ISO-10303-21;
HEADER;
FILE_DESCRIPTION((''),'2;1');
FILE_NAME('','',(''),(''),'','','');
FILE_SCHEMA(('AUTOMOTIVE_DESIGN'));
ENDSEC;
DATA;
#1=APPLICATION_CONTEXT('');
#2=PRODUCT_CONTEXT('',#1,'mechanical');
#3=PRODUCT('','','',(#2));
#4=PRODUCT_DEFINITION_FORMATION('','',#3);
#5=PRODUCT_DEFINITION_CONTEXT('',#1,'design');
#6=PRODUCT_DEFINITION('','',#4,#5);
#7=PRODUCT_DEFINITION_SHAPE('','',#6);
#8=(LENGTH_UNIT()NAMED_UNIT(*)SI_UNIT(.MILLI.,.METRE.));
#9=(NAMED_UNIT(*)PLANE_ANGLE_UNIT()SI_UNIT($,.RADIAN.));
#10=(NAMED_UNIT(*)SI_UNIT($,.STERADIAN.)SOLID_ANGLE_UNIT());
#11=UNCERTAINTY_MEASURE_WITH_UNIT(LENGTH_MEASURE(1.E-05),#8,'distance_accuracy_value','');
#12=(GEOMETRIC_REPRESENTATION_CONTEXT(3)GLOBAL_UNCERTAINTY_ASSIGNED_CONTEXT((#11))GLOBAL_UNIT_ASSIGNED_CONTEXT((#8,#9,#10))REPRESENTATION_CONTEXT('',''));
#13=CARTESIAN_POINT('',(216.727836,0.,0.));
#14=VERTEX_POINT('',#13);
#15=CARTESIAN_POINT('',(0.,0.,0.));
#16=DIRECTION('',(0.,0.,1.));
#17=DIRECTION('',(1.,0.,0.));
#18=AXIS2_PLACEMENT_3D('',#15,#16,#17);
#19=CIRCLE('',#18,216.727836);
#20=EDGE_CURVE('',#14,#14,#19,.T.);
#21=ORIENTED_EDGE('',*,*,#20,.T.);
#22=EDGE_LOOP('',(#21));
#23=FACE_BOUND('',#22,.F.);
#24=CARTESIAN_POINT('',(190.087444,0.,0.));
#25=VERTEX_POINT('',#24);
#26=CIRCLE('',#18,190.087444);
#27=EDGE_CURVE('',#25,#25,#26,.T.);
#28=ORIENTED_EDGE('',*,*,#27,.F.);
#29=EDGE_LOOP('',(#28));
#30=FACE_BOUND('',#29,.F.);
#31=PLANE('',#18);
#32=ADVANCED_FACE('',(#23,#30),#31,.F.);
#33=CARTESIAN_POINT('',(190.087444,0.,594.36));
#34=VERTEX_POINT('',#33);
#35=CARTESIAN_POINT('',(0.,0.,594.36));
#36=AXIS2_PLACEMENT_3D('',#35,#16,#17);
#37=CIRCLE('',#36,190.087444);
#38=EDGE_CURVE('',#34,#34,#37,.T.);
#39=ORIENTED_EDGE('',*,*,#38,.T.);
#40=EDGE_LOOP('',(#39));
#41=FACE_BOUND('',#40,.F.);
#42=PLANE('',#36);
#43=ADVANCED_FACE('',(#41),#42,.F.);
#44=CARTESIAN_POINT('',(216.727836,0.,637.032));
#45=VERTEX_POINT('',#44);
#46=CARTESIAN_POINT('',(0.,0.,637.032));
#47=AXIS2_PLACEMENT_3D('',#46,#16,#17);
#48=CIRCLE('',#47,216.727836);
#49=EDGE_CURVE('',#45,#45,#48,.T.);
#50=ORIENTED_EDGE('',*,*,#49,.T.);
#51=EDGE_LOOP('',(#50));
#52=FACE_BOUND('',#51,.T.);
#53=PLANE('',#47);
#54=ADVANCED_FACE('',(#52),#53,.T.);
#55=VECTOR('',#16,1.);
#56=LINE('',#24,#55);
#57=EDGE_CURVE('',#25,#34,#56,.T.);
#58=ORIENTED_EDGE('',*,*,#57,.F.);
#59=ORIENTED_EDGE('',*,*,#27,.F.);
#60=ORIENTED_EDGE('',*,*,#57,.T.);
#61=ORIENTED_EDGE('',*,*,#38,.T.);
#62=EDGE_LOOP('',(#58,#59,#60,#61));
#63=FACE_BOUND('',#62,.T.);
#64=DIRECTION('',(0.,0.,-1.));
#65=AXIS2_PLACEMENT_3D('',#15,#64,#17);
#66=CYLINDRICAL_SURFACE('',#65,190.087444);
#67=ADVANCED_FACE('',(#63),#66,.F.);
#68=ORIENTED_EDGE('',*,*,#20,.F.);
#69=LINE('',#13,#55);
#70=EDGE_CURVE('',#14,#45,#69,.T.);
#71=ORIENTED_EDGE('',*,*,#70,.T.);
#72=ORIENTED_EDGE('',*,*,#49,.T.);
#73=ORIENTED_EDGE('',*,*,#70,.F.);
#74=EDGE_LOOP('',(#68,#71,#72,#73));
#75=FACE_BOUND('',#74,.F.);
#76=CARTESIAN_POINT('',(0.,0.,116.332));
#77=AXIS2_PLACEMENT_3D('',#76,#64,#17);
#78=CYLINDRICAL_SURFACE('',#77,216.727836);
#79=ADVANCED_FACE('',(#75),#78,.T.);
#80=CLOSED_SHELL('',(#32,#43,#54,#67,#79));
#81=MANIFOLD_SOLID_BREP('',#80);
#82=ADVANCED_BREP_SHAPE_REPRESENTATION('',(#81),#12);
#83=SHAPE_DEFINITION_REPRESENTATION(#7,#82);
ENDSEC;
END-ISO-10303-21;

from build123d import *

# Parameters (mm, degrees)
F0_R      = 216.727836
F1_DEPTH  = 116.332
F1_FACE_R = 216.727836
F3_DEPTH  = 520.7
F2_R      = 190.087444
F4_DEPTH  = 594.36


with BuildPart() as f1:
    # F0 (on Top) → F1 (new body)
    with BuildSketch(Plane.XY):
        Circle(F0_R)
    extrude(amount=F1_DEPTH)

    # F1_face (on face) → F3 (join)
    with BuildSketch(Plane.XY.offset(116.332)):
        Circle(F1_FACE_R)
    extrude(amount=F3_DEPTH)

    # F2 (on Top) → F4 (cut)
    with BuildSketch(Plane.XY):
        Circle(F2_R)
    extrude(amount=F4_DEPTH, mode=Mode.SUBTRACT)


solid = f1.part
